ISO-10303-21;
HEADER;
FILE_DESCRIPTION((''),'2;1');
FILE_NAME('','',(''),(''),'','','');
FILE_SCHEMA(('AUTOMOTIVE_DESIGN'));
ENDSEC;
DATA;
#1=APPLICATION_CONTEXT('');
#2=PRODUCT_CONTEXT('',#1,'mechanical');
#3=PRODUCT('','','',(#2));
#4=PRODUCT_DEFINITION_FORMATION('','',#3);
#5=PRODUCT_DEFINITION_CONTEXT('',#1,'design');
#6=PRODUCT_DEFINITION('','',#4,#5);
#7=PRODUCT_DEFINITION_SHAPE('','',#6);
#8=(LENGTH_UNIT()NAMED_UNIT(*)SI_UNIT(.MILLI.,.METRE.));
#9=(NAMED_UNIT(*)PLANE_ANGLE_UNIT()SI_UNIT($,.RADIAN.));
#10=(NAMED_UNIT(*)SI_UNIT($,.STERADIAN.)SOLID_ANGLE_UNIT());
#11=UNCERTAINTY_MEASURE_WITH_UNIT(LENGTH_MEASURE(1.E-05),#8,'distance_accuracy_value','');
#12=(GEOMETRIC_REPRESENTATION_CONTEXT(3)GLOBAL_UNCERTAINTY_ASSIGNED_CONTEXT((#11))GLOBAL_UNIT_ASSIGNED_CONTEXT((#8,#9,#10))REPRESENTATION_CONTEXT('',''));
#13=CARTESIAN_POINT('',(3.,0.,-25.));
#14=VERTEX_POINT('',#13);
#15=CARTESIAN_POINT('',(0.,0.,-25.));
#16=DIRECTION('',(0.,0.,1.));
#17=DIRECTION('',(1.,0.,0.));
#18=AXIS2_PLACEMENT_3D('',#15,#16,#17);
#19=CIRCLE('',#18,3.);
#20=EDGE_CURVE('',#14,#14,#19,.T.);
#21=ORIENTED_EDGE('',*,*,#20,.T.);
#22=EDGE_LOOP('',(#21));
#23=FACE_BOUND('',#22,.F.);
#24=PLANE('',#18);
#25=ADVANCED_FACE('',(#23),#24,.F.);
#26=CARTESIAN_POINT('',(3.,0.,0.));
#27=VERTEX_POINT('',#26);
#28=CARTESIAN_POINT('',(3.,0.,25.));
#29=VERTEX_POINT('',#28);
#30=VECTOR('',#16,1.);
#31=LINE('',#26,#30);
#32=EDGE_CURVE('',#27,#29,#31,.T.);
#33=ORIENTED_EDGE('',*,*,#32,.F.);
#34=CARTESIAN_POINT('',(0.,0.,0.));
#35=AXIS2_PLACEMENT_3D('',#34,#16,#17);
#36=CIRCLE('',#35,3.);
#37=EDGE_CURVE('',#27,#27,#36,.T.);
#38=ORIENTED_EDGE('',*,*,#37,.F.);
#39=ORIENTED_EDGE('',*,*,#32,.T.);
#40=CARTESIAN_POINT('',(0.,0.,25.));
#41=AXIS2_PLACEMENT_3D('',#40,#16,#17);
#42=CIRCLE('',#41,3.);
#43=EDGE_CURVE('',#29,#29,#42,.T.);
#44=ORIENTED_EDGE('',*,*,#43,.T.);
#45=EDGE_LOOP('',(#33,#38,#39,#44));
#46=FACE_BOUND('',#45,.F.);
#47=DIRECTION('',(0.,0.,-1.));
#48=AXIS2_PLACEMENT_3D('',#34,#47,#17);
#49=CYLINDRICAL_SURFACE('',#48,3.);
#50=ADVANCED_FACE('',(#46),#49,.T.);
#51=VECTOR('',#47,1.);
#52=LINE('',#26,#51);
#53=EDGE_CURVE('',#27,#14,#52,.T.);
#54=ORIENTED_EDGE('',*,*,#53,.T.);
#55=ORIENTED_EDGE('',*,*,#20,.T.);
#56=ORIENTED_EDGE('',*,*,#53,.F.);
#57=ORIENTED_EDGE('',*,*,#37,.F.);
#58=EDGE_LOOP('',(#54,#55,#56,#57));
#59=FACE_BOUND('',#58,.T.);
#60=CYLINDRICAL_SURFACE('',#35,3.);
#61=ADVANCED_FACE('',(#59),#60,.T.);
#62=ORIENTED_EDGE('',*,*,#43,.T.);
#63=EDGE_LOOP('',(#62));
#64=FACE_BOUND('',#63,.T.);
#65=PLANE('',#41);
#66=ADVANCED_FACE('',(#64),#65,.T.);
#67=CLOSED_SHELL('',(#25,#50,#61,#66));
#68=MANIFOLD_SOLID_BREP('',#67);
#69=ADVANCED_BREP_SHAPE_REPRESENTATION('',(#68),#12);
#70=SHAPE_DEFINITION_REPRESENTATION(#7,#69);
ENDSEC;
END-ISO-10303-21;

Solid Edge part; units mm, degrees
sketch "Sketch1" plane through (0, 0, 0) normal (0, 0, 1) x (1, 0, 0)
  circle A0 centre (0, 0) radius 3
extrude "Extrusionsausprägung_15" add sketch "Sketch1" along normal mid plane 50
